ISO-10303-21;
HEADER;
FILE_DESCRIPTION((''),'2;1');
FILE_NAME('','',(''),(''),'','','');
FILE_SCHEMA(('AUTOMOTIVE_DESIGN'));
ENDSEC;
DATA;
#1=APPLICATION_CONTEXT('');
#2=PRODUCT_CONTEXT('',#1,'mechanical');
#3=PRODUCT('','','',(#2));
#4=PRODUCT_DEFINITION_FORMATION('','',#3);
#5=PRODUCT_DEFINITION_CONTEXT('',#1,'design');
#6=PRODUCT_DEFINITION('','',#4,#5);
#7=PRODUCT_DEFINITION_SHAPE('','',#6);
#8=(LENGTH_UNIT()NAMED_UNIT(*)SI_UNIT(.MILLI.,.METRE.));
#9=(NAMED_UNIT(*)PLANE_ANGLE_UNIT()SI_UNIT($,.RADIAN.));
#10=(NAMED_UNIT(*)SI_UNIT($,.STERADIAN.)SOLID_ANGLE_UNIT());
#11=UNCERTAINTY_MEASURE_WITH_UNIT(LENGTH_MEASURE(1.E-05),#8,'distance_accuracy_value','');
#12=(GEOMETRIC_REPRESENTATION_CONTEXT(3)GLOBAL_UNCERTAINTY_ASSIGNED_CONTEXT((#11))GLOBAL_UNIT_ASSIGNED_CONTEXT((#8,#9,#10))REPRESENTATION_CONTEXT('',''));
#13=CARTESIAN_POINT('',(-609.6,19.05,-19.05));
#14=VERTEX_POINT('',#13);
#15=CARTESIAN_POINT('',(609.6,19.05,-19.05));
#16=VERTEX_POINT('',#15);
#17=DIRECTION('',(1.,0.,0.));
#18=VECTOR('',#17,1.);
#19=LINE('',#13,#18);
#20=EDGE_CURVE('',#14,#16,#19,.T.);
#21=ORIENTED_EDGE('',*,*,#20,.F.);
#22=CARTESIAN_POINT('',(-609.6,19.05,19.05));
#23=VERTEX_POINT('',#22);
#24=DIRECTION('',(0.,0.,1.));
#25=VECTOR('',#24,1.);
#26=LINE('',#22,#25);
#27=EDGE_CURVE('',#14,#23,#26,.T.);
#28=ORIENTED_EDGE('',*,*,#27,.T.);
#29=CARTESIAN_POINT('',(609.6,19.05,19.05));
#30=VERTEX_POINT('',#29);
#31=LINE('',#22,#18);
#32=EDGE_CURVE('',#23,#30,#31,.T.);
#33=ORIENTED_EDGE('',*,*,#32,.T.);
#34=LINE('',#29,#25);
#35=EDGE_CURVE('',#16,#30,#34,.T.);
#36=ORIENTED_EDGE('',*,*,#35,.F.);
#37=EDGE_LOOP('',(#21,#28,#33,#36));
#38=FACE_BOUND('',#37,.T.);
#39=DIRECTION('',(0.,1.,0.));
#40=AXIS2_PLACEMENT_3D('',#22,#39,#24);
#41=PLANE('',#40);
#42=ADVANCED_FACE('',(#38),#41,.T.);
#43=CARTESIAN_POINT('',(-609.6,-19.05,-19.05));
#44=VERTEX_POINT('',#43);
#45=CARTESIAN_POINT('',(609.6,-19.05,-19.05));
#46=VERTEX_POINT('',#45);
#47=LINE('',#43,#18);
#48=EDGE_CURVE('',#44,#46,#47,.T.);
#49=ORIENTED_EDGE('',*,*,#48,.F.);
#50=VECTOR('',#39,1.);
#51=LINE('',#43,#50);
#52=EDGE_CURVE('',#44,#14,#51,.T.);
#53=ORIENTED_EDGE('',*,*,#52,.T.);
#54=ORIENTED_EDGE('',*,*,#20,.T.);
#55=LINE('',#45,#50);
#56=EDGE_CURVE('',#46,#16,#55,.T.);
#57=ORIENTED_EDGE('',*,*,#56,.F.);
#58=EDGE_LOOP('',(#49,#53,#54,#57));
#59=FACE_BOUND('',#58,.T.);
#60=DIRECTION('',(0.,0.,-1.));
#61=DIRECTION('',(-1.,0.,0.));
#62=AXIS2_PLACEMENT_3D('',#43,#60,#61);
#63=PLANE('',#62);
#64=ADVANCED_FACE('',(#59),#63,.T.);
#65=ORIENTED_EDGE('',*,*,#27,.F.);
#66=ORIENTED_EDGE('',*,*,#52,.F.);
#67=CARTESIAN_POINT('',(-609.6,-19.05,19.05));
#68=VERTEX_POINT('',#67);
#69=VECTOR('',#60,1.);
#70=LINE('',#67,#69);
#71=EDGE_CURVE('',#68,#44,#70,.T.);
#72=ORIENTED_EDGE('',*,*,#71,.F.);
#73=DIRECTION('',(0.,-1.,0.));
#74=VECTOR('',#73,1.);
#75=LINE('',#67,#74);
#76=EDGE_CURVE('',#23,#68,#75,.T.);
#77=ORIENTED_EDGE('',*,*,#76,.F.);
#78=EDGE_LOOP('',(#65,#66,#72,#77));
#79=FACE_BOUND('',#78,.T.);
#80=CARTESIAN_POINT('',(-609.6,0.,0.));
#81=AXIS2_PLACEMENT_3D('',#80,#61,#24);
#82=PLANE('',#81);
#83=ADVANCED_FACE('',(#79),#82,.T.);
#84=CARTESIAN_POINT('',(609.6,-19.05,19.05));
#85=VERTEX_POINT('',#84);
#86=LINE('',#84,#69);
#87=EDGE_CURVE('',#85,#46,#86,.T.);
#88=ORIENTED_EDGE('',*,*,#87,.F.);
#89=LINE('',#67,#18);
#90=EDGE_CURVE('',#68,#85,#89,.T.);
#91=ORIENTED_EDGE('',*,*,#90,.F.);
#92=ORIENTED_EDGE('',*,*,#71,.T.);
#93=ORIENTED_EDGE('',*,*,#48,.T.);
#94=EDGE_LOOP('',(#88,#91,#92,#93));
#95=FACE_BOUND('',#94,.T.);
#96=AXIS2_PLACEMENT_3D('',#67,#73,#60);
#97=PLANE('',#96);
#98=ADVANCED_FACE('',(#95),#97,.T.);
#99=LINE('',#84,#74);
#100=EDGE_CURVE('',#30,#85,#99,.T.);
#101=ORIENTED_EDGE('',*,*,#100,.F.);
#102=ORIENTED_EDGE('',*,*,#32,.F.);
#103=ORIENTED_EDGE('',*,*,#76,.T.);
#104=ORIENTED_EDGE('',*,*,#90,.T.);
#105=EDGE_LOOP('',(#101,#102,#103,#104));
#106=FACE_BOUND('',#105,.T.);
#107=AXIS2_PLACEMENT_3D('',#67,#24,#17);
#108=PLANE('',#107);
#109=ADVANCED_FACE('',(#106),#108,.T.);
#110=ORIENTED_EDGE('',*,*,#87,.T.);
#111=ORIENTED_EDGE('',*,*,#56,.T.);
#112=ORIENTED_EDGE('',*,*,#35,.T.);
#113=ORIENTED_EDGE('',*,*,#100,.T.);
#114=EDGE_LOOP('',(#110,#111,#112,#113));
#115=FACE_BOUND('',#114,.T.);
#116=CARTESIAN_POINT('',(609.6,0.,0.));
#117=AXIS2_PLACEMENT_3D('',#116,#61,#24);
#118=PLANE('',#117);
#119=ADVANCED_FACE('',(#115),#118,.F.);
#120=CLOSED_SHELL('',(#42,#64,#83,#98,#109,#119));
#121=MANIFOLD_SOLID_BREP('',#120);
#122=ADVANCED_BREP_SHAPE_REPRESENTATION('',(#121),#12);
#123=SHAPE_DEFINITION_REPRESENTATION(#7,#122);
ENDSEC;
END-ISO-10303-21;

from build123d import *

# Parameters (mm, degrees)
BOSS_EXTRUDE1_DEPTH      = 609.6
BOSS_EXTRUDE1_DEPTH_BACK = 609.6
SKETCH1_W                = 38.1
SKETCH1_H                = 38.1


with BuildPart() as part:
    # Sketch1 → Boss-Extrude1 (new, two sides: drawn at the far end of the back side and taken through both)
    with BuildSketch(Plane(origin=(0, 0, 0), x_dir=(0, 0, -1), z_dir=(1, 0, 0)).offset(-BOSS_EXTRUDE1_DEPTH_BACK)):
        Rectangle(SKETCH1_W, SKETCH1_H)
    extrude(amount=BOSS_EXTRUDE1_DEPTH + BOSS_EXTRUDE1_DEPTH_BACK)


solid = part.part
